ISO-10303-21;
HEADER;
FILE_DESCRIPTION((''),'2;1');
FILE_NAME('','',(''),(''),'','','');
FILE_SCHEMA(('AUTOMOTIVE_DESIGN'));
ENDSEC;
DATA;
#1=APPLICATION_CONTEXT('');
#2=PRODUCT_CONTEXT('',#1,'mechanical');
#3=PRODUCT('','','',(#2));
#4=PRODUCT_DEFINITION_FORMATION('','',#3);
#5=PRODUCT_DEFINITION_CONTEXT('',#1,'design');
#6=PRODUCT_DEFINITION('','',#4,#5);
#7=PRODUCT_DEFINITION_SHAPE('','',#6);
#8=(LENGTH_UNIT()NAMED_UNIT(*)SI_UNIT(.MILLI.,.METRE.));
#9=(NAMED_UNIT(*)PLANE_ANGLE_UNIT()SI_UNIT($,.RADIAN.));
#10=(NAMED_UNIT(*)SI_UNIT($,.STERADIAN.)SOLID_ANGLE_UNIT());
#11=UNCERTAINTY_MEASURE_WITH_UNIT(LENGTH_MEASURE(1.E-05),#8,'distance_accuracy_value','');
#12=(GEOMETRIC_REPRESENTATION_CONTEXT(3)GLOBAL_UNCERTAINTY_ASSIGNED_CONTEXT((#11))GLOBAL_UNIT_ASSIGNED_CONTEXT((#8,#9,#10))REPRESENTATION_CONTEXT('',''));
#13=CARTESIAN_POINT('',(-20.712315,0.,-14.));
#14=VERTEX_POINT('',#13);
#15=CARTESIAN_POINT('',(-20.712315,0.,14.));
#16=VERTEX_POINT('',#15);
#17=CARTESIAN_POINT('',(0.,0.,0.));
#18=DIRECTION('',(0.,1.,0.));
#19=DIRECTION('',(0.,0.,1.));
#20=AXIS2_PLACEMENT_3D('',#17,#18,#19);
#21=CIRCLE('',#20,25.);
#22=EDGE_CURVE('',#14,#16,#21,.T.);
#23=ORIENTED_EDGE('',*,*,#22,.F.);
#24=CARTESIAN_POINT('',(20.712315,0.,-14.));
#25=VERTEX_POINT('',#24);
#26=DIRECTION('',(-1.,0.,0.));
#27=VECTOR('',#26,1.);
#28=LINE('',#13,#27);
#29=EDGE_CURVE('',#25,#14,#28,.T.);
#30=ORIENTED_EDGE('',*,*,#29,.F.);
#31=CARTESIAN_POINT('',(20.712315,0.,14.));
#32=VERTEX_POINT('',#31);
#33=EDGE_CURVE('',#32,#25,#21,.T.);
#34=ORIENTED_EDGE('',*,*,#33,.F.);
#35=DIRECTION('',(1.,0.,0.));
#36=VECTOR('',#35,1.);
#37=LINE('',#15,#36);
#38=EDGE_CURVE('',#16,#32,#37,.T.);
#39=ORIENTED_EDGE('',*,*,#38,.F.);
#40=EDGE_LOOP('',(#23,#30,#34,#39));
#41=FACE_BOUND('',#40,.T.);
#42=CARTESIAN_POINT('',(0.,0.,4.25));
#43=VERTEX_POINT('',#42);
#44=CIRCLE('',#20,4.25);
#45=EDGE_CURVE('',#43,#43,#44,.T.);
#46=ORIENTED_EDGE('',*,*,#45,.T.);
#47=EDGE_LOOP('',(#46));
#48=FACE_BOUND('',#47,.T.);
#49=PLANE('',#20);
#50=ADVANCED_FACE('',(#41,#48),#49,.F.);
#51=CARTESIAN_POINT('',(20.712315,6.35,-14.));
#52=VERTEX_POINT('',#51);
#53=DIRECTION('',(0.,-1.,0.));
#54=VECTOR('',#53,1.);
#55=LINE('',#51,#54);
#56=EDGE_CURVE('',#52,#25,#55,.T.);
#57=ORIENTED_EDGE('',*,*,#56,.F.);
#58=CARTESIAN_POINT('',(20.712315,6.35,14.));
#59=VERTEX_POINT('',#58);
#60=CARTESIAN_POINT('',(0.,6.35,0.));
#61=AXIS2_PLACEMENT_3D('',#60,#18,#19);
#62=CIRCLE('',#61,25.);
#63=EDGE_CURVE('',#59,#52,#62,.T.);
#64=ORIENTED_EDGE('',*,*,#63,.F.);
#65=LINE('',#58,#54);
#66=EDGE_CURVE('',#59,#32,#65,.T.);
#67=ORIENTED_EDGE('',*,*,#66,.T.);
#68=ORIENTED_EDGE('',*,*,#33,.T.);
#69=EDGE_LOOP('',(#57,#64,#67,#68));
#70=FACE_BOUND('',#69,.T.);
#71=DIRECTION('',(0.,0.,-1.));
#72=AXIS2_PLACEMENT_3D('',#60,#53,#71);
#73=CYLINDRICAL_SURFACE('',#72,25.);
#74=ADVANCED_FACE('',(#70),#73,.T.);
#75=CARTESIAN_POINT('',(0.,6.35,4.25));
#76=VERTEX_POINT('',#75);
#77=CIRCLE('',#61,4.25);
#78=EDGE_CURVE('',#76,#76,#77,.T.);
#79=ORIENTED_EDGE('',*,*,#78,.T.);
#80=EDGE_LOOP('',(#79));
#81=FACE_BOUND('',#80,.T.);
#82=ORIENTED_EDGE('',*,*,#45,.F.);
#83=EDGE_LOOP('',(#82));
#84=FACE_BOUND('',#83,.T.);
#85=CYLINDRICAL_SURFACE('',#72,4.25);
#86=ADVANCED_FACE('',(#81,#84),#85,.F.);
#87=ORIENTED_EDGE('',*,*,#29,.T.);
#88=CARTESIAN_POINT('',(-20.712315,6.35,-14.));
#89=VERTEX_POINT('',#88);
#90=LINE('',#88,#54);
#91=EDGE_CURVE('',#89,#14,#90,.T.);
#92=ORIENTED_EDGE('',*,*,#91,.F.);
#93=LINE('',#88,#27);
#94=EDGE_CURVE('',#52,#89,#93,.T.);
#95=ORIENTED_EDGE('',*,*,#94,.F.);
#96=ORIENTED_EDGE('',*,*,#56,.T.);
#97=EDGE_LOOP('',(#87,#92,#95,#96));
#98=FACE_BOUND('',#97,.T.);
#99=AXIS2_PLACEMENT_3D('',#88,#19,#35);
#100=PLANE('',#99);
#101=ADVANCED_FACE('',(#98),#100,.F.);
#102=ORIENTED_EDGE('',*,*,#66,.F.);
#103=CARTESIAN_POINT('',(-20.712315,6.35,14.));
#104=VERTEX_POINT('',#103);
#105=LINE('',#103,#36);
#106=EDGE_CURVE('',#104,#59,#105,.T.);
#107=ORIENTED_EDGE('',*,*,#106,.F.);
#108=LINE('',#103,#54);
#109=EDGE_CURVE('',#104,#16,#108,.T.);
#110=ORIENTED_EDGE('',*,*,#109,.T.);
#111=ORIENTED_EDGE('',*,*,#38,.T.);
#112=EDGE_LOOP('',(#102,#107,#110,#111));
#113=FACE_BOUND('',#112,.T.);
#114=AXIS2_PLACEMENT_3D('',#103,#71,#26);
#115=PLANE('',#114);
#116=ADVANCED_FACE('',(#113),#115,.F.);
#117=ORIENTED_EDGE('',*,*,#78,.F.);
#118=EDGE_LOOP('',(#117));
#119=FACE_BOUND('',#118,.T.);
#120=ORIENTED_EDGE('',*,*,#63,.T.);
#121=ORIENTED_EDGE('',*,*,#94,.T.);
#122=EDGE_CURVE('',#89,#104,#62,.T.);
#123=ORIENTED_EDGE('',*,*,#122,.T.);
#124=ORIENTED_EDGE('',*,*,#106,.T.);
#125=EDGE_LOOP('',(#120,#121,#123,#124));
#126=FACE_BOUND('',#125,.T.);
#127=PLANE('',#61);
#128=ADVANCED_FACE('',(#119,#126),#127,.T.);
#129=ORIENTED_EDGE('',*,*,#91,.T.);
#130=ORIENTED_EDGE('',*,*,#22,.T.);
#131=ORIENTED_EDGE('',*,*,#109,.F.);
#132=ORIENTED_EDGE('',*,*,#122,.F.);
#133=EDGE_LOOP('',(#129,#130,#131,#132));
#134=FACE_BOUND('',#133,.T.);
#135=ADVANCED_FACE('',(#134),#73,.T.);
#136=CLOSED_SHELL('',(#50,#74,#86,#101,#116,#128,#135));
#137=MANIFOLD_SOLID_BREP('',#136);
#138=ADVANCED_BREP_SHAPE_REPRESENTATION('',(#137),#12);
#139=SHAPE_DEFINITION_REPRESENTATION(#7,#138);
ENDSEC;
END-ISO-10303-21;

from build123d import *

# Parameters (mm, degrees)
ESBO_O1_R                = 4.25
RESSALTO_EXTRUS_O1_DEPTH = 6.35


with BuildPart() as part:
    # Esboço1 → Ressalto-extrusão1 (new body)
    with BuildSketch(Plane(origin=(0, 0, 0), x_dir=(1, 0, 0), z_dir=(0, 1, 0))):
        with BuildLine():
            Line((-20.712315177, 14), (20.712315177, 14))
            ThreePointArc((20.712315177, 14), (25, 0), (20.712315177, -14))
            Line((20.712315177, -14), (-20.712315177, -14))
            ThreePointArc((-20.712315177, -14), (-25, 0), (-20.712315177, 14))
        make_face()
        Circle(ESBO_O1_R, mode=Mode.SUBTRACT)
    extrude(amount=RESSALTO_EXTRUS_O1_DEPTH)


solid = part.part
